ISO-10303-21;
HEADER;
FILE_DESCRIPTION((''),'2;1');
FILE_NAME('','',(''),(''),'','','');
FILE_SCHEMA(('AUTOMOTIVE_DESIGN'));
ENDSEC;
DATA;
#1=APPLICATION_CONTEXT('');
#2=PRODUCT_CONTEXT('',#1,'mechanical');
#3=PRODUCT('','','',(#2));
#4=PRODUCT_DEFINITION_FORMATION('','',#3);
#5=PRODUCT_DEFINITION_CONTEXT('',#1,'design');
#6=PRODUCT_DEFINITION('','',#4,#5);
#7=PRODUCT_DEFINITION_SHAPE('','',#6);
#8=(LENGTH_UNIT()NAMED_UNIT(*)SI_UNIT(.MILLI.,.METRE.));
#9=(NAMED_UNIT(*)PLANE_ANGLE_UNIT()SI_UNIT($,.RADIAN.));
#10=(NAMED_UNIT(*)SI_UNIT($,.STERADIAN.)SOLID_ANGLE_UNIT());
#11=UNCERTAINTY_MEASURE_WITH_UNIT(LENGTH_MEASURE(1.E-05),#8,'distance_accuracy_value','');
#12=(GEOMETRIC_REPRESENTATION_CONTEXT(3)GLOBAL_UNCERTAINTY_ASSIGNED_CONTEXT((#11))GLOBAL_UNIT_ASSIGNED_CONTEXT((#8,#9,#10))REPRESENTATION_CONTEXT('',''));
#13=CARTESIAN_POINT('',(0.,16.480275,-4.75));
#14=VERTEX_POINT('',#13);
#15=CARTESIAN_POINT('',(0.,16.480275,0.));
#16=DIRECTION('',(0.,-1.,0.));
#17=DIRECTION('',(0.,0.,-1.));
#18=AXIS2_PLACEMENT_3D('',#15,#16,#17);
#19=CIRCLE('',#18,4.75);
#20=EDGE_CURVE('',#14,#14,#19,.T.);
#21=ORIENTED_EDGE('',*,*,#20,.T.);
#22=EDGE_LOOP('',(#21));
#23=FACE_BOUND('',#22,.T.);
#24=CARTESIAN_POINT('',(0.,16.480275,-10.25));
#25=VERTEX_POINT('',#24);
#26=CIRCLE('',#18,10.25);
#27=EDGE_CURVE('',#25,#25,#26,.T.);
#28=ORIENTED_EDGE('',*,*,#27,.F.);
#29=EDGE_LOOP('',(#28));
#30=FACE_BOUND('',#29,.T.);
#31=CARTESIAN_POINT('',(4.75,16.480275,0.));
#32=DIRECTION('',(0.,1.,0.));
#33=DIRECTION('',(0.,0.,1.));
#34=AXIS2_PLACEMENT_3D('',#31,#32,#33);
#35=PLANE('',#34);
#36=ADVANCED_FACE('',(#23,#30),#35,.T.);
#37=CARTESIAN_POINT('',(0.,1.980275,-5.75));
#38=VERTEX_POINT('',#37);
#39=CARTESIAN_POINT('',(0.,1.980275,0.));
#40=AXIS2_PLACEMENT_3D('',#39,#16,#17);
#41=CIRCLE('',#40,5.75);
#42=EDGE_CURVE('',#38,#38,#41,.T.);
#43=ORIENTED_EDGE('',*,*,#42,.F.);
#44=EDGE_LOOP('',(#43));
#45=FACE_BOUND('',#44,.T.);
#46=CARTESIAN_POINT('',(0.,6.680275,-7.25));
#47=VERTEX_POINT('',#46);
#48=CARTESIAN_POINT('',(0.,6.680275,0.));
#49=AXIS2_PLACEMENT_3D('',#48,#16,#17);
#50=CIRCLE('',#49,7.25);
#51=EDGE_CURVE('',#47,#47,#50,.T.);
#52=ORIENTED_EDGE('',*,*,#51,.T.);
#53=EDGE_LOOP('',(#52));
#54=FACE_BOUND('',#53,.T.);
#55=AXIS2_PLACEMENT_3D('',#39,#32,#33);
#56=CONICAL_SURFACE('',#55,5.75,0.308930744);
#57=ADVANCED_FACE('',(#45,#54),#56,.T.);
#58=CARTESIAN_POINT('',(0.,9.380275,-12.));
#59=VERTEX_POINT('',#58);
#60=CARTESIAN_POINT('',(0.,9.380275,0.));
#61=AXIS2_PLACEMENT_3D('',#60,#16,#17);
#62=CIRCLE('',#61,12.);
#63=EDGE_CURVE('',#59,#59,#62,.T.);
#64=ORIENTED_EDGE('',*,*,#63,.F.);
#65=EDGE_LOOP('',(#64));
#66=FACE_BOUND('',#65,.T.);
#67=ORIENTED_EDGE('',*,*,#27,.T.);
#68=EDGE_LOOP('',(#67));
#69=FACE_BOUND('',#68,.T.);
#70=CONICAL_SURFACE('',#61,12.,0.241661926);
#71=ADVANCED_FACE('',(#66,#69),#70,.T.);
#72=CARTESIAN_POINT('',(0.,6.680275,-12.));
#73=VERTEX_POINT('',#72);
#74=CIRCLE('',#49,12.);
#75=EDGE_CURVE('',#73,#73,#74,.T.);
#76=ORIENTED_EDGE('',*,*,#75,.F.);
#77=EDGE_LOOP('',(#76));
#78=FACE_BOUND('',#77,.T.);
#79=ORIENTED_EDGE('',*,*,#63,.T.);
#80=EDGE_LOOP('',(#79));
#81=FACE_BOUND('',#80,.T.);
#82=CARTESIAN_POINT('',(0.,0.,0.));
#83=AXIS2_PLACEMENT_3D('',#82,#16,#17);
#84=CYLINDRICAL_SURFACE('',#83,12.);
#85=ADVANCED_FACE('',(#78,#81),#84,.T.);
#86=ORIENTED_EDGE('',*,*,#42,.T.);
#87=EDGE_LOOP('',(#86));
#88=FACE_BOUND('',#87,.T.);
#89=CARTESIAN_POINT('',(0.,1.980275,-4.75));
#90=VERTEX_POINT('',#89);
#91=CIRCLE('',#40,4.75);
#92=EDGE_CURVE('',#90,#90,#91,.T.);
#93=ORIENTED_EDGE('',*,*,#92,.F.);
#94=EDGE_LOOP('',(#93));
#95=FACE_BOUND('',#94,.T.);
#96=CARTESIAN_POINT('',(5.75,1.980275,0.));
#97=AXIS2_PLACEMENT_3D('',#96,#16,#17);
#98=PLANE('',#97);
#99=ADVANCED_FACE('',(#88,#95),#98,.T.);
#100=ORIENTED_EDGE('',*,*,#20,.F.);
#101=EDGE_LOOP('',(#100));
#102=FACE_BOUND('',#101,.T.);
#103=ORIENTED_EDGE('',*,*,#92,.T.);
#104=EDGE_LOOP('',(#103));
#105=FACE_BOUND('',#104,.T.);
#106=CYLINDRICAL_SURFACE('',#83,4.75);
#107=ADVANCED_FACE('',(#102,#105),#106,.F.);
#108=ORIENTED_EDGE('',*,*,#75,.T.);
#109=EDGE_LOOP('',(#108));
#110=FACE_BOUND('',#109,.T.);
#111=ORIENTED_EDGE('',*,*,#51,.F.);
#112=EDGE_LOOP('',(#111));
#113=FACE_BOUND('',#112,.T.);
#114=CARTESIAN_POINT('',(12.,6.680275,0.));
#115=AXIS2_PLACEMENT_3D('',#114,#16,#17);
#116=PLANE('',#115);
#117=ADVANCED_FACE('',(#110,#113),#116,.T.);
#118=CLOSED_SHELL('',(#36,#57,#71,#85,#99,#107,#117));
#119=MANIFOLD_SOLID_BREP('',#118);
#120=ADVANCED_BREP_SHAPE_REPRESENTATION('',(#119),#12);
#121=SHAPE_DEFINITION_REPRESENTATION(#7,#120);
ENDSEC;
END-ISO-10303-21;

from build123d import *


with BuildPart() as part:
    # Sketch1 → Revolve1 (revolve)
    with BuildSketch(Plane.XY, mode=Mode.PRIVATE) as revolve1_sk:
        Polygon((4.75, 1.980275153), (4.75, 16.480275153), (10.25, 16.480275153), (12, 9.380275153), (12, 6.680275153), (7.25, 6.680275153), (5.75, 1.980275153), align=None)
    revolve(revolve1_sk.sketch.rotate(Axis((0, 0, 0), (0, 1, 0)), 90), axis=Axis((0, 0, 0), (0, 1, 0)))


solid = part.part
